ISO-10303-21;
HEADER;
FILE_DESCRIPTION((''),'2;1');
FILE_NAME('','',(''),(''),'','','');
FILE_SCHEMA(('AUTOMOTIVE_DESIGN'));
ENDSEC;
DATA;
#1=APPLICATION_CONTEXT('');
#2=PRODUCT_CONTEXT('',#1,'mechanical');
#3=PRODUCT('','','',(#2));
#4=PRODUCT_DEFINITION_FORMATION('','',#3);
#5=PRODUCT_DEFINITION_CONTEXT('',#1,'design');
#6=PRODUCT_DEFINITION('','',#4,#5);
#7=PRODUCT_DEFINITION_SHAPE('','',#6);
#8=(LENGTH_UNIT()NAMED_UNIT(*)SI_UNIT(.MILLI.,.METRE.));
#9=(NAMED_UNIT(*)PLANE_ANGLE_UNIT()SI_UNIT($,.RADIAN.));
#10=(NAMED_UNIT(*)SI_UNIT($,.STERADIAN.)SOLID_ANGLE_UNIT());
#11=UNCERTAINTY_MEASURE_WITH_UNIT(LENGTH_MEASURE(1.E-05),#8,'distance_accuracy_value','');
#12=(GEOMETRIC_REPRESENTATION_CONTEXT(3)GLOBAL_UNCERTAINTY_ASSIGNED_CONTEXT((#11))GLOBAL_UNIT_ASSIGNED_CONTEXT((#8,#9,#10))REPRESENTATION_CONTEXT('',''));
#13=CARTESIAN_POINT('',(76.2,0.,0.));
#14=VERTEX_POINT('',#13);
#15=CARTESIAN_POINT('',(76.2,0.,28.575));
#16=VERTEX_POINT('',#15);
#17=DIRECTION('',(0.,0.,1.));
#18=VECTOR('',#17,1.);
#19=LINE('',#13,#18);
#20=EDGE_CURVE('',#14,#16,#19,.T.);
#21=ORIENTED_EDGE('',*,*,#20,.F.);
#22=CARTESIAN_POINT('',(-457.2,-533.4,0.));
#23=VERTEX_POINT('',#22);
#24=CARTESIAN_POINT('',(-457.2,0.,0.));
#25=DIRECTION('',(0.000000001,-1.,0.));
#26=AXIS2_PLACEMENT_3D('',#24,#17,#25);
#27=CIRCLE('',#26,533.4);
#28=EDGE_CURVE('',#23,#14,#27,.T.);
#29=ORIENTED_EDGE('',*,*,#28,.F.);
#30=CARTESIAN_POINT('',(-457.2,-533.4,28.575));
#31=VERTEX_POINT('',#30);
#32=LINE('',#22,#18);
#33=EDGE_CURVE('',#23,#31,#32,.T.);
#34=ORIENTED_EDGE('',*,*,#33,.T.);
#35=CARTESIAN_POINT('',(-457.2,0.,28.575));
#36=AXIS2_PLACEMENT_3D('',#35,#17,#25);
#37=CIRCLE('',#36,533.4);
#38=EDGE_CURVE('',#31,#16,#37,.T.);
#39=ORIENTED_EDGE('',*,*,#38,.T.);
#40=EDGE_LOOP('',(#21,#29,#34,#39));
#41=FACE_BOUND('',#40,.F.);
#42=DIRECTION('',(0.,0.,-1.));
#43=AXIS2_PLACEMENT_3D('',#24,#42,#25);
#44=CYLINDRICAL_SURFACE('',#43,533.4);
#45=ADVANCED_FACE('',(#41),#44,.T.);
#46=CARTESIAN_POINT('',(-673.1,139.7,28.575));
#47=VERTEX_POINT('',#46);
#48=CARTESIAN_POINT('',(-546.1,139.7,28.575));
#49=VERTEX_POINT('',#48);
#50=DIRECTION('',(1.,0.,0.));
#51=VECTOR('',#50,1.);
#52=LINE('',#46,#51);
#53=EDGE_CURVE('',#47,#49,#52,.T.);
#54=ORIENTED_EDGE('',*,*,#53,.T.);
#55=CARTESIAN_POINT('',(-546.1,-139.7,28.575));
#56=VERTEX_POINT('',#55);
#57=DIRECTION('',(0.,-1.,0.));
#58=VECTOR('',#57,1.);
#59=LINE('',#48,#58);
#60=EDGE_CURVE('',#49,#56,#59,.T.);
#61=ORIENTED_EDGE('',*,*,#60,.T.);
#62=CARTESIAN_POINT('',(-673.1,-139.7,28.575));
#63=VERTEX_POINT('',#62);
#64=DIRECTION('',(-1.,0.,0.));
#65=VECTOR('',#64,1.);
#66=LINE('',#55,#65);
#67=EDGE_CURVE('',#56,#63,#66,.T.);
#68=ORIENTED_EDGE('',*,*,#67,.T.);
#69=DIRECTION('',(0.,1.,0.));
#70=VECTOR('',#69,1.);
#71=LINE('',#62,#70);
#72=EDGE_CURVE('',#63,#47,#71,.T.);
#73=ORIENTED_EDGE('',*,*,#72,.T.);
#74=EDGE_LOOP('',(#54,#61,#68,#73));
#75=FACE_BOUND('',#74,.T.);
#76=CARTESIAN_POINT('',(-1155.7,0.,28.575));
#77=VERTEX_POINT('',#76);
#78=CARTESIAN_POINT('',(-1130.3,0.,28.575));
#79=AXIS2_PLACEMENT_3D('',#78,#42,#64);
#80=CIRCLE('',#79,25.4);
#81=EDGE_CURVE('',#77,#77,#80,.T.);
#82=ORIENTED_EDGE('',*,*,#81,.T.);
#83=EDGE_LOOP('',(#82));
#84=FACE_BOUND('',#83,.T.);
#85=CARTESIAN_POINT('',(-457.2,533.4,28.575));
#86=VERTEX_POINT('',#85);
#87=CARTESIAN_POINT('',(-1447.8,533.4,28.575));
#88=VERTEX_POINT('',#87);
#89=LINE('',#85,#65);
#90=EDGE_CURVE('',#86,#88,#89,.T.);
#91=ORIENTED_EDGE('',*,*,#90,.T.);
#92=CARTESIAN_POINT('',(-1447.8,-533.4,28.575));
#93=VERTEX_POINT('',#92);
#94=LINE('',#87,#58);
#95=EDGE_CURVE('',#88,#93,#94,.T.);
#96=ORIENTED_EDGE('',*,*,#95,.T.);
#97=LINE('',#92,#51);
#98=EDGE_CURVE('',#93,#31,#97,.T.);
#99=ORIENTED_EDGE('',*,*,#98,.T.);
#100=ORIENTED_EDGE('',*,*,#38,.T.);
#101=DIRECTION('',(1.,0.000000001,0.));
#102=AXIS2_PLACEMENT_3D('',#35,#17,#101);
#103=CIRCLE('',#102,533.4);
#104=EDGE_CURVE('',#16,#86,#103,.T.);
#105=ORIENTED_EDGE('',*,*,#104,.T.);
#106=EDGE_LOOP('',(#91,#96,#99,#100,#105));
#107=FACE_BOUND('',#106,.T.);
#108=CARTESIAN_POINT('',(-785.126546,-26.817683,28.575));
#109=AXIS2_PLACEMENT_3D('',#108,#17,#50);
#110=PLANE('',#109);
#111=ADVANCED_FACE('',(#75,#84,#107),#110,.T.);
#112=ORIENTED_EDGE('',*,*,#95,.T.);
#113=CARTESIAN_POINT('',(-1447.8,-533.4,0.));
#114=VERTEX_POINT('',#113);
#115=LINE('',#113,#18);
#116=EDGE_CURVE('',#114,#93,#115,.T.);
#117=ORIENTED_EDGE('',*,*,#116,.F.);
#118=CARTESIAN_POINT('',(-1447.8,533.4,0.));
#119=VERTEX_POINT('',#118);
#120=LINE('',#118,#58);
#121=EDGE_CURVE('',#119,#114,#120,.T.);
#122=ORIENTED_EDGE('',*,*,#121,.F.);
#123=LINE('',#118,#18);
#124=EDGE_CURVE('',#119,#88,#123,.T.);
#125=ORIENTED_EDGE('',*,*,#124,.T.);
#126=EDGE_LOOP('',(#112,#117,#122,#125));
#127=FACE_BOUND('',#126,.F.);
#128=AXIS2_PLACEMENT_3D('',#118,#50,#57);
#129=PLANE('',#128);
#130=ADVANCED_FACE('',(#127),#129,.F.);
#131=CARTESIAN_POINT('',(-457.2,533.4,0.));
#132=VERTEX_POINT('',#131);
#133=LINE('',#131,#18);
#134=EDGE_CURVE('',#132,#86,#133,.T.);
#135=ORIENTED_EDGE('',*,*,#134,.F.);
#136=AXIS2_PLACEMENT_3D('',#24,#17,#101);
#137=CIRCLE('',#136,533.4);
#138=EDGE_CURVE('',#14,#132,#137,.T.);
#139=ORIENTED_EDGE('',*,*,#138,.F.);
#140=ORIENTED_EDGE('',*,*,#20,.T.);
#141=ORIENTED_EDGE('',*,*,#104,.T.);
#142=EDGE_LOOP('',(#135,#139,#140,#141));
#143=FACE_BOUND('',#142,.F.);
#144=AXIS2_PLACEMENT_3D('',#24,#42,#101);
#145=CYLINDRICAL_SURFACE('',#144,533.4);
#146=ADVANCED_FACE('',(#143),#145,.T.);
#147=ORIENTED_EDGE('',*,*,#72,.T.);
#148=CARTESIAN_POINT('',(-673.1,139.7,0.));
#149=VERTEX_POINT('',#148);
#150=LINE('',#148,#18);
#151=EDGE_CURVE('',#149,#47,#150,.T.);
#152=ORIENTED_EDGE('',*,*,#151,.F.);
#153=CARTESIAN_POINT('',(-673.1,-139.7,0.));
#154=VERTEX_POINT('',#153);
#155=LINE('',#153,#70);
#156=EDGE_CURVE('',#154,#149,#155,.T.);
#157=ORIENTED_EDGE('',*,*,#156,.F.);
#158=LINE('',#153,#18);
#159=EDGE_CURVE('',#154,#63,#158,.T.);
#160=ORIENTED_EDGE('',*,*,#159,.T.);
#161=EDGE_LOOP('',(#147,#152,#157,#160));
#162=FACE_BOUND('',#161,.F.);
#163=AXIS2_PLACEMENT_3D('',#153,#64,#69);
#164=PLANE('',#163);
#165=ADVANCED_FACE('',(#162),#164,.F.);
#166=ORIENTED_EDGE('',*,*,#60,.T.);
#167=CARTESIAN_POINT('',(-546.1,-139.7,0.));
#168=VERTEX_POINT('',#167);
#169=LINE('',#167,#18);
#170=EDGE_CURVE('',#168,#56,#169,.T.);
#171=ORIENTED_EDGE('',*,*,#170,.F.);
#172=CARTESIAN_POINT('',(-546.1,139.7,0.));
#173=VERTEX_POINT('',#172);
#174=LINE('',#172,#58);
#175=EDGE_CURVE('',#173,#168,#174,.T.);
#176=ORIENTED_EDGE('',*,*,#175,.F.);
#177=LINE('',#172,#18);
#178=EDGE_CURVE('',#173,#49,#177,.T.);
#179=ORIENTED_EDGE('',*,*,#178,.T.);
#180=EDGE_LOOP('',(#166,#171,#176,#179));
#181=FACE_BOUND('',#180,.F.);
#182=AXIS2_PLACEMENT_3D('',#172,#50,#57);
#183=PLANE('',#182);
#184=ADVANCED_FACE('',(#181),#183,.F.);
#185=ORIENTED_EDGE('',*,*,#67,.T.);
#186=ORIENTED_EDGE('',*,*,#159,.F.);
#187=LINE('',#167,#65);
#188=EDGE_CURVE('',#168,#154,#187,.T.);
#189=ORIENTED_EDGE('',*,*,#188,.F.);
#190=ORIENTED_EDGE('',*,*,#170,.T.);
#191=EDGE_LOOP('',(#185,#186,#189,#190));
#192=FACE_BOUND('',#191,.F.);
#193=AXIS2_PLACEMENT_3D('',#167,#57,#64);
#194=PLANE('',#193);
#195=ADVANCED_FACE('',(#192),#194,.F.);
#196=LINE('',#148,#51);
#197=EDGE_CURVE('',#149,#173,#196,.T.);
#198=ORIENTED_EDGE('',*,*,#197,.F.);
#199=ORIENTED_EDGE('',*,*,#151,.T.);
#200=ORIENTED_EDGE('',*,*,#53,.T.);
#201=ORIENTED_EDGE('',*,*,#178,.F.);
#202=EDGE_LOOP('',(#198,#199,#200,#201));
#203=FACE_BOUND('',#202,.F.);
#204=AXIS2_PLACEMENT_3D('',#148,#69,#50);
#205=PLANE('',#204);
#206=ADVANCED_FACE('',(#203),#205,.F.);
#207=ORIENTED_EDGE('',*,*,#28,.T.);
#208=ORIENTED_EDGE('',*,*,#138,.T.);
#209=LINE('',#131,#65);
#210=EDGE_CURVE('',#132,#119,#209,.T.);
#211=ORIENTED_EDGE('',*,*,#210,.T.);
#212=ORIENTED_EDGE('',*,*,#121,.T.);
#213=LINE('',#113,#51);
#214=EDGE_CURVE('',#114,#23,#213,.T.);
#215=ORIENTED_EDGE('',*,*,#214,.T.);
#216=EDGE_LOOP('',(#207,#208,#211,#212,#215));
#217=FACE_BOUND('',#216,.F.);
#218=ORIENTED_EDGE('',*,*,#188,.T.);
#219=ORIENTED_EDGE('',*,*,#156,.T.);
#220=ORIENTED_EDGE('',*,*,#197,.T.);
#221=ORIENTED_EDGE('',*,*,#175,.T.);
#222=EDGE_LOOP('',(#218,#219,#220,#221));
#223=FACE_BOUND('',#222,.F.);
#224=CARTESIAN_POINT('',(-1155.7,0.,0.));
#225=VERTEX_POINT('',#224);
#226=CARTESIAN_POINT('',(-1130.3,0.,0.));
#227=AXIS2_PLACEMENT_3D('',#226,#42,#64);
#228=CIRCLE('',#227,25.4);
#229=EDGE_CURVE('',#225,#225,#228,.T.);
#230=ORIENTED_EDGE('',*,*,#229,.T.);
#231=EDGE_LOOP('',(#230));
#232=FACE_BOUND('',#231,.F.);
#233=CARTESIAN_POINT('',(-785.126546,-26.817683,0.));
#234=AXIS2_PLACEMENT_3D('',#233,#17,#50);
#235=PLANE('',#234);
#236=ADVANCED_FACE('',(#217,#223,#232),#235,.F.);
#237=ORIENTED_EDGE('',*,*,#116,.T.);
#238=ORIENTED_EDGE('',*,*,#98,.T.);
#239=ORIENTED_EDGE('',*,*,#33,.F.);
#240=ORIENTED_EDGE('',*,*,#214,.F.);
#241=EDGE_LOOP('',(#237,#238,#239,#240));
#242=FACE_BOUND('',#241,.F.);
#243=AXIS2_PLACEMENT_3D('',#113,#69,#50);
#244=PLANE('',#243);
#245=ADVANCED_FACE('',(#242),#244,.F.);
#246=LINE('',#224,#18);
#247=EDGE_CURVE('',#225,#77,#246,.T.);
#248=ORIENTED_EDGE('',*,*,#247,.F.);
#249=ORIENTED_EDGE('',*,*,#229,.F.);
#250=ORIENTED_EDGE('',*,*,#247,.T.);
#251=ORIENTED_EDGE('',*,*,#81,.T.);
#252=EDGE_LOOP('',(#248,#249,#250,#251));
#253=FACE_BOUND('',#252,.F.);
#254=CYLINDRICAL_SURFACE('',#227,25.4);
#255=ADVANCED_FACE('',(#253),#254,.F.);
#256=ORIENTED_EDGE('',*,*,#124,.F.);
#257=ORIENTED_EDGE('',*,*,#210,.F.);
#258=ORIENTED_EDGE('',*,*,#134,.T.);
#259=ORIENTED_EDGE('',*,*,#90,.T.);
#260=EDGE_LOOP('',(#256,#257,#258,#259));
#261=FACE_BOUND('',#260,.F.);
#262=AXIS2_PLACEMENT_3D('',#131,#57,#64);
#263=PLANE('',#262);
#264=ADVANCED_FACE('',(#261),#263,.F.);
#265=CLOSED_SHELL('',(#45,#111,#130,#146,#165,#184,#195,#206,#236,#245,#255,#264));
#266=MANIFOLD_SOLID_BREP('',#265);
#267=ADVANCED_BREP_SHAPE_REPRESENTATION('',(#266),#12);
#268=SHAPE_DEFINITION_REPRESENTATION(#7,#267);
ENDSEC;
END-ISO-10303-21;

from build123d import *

# Parameters (mm, degrees)
F1_DEPTH = 28.575


with BuildPart() as f1:
    # F0 (on Top) → F1 (new body)
    with BuildSketch(Plane.XY):
        with BuildLine():
            Line((-1371.6, 533.4), (-1447.8, 533.4))
            Line((-1447.8, 533.4), (-1447.8, 0))
            Line((-1447.8, 0), (-1447.8, -533.4))
            Line((-1447.8, -533.4), (-1371.6, -533.4))
            Line((-1371.6, -533.4), (-685.8, -533.4))
            Line((-685.8, -533.4), (-457.2, -533.4))
            ThreePointArc((-457.2, -533.4), (-80.029243, -377.170757), (76.2, 0))
            Line((76.2, 0), (-457.2, 0))
            Line((-457.2, 0), (-457.2, 533.4))
            Line((-457.2, 533.4), (-1371.6, 533.4))
        make_face()
        with BuildLine():
            ThreePointArc((-1104.9, 0), (-1130.3, -25.4), (-1155.7, 0))
            ThreePointArc((-1155.7, 0), (-1130.3, 25.4), (-1104.9, 0))
        make_face(mode=Mode.SUBTRACT)
        Polygon((-546.1, 139.7), (-546.1, 0), (-546.1, -139.7), (-673.1, -139.7), (-673.1, 139.7), align=None, mode=Mode.SUBTRACT)
        with BuildLine():
            ThreePointArc((76.2, 0), (-80.029243, 377.170757), (-457.2, 533.4))
            Line((-457.2, 533.4), (-457.2, 0))
            Line((-457.2, 0), (76.2, 0))
        make_face()
    extrude(amount=F1_DEPTH)


solid = f1.part
